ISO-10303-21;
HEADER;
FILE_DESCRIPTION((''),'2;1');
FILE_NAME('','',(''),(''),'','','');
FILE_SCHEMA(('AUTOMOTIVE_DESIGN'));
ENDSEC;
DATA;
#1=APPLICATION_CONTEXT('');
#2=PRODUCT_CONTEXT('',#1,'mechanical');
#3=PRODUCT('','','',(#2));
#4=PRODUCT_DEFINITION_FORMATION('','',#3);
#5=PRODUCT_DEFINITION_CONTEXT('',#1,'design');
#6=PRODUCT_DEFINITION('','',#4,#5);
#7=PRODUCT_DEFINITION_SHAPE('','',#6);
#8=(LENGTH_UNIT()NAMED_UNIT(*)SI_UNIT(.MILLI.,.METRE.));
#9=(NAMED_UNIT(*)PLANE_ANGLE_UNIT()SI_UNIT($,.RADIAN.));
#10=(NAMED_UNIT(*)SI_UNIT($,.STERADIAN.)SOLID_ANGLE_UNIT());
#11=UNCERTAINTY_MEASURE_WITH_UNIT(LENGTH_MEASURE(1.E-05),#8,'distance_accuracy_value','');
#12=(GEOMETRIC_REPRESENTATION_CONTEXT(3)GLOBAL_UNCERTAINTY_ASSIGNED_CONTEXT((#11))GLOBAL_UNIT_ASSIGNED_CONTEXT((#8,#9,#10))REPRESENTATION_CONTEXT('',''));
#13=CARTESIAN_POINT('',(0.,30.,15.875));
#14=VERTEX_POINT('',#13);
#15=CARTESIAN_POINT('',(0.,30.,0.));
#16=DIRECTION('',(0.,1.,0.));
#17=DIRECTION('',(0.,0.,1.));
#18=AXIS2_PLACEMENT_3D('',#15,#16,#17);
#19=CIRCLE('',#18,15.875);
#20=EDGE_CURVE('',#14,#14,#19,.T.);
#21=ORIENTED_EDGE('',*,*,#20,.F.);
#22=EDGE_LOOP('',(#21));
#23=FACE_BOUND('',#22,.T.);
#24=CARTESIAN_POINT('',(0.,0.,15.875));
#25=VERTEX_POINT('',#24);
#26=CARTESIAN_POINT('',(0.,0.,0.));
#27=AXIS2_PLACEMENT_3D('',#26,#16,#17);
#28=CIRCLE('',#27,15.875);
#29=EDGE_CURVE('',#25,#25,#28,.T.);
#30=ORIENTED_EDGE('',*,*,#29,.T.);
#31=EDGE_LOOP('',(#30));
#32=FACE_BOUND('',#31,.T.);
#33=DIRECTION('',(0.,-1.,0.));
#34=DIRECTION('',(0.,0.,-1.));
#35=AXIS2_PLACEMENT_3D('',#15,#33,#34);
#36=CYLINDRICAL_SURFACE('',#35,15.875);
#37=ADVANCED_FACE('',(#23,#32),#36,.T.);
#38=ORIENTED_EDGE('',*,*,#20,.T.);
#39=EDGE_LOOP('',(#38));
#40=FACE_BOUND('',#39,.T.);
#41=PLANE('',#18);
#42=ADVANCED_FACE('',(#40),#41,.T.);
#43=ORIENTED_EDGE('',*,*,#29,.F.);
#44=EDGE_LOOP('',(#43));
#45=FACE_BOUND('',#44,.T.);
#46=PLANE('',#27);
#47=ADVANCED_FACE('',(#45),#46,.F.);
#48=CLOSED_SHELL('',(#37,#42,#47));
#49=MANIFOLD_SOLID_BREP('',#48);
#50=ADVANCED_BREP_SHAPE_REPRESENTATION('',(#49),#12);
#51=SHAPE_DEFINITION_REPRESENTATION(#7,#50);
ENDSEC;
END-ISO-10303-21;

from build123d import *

# Parameters (mm, degrees)
SKETCH1_R           = 15.875
BOSS_EXTRUDE1_DEPTH = 30


with BuildPart() as part:
    # Sketch1 → Boss-Extrude1 (new body)
    with BuildSketch(Plane(origin=(0, 0, 0), x_dir=(1, 0, 0), z_dir=(0, 1, 0))):
        Circle(SKETCH1_R)
    extrude(amount=BOSS_EXTRUDE1_DEPTH)


solid = part.part
